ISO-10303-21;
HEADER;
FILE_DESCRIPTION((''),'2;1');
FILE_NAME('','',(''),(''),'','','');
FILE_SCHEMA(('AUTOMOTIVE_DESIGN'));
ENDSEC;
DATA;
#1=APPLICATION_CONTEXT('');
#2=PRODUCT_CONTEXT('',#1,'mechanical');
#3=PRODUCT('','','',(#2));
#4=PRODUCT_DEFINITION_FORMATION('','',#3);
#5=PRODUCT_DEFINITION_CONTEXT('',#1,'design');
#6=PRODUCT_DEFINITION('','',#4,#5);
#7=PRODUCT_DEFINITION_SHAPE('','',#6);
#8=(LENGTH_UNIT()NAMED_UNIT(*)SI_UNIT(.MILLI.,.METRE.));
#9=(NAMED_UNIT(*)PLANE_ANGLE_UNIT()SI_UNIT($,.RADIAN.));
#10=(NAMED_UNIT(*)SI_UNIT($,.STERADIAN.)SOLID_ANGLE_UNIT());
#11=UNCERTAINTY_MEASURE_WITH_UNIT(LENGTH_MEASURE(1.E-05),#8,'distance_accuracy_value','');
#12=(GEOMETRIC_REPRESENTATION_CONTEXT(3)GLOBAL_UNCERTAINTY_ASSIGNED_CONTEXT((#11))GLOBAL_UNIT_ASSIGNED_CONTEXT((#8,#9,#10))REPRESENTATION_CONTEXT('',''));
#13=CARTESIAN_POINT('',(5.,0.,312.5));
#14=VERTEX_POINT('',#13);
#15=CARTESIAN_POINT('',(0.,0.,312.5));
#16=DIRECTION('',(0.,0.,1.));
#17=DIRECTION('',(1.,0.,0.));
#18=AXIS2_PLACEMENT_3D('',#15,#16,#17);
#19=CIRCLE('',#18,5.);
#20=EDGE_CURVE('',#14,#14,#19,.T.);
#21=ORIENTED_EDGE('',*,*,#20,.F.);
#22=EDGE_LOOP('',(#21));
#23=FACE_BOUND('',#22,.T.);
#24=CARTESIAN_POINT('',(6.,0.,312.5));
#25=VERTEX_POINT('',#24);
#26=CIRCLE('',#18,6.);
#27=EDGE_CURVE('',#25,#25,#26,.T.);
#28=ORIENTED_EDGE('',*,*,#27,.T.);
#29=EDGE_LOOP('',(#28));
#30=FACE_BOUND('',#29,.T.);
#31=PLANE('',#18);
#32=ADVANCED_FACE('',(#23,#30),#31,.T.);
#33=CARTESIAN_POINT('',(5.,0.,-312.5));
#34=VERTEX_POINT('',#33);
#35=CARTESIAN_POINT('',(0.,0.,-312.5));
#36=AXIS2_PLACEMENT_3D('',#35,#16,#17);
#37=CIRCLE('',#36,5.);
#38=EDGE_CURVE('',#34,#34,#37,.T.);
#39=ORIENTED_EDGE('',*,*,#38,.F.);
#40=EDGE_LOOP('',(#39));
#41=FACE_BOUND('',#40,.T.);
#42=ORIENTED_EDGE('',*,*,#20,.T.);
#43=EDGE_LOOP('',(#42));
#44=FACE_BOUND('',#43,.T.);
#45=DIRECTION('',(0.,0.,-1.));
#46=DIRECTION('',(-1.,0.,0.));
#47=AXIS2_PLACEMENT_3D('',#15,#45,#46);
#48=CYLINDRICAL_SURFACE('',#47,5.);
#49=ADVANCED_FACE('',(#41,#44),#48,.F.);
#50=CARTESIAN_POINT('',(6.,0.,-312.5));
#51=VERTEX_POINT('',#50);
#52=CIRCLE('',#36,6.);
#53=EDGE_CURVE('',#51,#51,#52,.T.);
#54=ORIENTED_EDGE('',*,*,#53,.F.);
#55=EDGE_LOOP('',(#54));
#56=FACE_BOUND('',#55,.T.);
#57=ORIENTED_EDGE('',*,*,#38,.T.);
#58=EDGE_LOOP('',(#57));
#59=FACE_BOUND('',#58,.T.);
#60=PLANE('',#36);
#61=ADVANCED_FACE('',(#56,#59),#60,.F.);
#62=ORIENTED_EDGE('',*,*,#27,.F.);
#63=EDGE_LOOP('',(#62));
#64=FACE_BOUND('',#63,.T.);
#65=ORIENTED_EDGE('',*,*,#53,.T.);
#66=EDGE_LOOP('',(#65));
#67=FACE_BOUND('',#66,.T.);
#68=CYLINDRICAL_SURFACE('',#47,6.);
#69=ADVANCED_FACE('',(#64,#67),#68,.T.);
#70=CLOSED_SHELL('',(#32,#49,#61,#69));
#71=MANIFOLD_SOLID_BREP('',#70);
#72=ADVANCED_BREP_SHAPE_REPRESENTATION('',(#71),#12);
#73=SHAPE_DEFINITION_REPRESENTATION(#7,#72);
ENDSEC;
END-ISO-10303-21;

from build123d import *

# Parameters (mm, degrees)
SKETCH1_R      = 6
SKETCH1_R_2    = 5
EXTRUDE1_DEPTH = 312.5


with BuildPart() as part:
    # Sketch1 → Extrude1 (new, symmetric)
    with BuildSketch(Plane.XY):
        Circle(SKETCH1_R)
        Circle(SKETCH1_R_2, mode=Mode.SUBTRACT)
    extrude(amount=EXTRUDE1_DEPTH, both=True)


solid = part.part
